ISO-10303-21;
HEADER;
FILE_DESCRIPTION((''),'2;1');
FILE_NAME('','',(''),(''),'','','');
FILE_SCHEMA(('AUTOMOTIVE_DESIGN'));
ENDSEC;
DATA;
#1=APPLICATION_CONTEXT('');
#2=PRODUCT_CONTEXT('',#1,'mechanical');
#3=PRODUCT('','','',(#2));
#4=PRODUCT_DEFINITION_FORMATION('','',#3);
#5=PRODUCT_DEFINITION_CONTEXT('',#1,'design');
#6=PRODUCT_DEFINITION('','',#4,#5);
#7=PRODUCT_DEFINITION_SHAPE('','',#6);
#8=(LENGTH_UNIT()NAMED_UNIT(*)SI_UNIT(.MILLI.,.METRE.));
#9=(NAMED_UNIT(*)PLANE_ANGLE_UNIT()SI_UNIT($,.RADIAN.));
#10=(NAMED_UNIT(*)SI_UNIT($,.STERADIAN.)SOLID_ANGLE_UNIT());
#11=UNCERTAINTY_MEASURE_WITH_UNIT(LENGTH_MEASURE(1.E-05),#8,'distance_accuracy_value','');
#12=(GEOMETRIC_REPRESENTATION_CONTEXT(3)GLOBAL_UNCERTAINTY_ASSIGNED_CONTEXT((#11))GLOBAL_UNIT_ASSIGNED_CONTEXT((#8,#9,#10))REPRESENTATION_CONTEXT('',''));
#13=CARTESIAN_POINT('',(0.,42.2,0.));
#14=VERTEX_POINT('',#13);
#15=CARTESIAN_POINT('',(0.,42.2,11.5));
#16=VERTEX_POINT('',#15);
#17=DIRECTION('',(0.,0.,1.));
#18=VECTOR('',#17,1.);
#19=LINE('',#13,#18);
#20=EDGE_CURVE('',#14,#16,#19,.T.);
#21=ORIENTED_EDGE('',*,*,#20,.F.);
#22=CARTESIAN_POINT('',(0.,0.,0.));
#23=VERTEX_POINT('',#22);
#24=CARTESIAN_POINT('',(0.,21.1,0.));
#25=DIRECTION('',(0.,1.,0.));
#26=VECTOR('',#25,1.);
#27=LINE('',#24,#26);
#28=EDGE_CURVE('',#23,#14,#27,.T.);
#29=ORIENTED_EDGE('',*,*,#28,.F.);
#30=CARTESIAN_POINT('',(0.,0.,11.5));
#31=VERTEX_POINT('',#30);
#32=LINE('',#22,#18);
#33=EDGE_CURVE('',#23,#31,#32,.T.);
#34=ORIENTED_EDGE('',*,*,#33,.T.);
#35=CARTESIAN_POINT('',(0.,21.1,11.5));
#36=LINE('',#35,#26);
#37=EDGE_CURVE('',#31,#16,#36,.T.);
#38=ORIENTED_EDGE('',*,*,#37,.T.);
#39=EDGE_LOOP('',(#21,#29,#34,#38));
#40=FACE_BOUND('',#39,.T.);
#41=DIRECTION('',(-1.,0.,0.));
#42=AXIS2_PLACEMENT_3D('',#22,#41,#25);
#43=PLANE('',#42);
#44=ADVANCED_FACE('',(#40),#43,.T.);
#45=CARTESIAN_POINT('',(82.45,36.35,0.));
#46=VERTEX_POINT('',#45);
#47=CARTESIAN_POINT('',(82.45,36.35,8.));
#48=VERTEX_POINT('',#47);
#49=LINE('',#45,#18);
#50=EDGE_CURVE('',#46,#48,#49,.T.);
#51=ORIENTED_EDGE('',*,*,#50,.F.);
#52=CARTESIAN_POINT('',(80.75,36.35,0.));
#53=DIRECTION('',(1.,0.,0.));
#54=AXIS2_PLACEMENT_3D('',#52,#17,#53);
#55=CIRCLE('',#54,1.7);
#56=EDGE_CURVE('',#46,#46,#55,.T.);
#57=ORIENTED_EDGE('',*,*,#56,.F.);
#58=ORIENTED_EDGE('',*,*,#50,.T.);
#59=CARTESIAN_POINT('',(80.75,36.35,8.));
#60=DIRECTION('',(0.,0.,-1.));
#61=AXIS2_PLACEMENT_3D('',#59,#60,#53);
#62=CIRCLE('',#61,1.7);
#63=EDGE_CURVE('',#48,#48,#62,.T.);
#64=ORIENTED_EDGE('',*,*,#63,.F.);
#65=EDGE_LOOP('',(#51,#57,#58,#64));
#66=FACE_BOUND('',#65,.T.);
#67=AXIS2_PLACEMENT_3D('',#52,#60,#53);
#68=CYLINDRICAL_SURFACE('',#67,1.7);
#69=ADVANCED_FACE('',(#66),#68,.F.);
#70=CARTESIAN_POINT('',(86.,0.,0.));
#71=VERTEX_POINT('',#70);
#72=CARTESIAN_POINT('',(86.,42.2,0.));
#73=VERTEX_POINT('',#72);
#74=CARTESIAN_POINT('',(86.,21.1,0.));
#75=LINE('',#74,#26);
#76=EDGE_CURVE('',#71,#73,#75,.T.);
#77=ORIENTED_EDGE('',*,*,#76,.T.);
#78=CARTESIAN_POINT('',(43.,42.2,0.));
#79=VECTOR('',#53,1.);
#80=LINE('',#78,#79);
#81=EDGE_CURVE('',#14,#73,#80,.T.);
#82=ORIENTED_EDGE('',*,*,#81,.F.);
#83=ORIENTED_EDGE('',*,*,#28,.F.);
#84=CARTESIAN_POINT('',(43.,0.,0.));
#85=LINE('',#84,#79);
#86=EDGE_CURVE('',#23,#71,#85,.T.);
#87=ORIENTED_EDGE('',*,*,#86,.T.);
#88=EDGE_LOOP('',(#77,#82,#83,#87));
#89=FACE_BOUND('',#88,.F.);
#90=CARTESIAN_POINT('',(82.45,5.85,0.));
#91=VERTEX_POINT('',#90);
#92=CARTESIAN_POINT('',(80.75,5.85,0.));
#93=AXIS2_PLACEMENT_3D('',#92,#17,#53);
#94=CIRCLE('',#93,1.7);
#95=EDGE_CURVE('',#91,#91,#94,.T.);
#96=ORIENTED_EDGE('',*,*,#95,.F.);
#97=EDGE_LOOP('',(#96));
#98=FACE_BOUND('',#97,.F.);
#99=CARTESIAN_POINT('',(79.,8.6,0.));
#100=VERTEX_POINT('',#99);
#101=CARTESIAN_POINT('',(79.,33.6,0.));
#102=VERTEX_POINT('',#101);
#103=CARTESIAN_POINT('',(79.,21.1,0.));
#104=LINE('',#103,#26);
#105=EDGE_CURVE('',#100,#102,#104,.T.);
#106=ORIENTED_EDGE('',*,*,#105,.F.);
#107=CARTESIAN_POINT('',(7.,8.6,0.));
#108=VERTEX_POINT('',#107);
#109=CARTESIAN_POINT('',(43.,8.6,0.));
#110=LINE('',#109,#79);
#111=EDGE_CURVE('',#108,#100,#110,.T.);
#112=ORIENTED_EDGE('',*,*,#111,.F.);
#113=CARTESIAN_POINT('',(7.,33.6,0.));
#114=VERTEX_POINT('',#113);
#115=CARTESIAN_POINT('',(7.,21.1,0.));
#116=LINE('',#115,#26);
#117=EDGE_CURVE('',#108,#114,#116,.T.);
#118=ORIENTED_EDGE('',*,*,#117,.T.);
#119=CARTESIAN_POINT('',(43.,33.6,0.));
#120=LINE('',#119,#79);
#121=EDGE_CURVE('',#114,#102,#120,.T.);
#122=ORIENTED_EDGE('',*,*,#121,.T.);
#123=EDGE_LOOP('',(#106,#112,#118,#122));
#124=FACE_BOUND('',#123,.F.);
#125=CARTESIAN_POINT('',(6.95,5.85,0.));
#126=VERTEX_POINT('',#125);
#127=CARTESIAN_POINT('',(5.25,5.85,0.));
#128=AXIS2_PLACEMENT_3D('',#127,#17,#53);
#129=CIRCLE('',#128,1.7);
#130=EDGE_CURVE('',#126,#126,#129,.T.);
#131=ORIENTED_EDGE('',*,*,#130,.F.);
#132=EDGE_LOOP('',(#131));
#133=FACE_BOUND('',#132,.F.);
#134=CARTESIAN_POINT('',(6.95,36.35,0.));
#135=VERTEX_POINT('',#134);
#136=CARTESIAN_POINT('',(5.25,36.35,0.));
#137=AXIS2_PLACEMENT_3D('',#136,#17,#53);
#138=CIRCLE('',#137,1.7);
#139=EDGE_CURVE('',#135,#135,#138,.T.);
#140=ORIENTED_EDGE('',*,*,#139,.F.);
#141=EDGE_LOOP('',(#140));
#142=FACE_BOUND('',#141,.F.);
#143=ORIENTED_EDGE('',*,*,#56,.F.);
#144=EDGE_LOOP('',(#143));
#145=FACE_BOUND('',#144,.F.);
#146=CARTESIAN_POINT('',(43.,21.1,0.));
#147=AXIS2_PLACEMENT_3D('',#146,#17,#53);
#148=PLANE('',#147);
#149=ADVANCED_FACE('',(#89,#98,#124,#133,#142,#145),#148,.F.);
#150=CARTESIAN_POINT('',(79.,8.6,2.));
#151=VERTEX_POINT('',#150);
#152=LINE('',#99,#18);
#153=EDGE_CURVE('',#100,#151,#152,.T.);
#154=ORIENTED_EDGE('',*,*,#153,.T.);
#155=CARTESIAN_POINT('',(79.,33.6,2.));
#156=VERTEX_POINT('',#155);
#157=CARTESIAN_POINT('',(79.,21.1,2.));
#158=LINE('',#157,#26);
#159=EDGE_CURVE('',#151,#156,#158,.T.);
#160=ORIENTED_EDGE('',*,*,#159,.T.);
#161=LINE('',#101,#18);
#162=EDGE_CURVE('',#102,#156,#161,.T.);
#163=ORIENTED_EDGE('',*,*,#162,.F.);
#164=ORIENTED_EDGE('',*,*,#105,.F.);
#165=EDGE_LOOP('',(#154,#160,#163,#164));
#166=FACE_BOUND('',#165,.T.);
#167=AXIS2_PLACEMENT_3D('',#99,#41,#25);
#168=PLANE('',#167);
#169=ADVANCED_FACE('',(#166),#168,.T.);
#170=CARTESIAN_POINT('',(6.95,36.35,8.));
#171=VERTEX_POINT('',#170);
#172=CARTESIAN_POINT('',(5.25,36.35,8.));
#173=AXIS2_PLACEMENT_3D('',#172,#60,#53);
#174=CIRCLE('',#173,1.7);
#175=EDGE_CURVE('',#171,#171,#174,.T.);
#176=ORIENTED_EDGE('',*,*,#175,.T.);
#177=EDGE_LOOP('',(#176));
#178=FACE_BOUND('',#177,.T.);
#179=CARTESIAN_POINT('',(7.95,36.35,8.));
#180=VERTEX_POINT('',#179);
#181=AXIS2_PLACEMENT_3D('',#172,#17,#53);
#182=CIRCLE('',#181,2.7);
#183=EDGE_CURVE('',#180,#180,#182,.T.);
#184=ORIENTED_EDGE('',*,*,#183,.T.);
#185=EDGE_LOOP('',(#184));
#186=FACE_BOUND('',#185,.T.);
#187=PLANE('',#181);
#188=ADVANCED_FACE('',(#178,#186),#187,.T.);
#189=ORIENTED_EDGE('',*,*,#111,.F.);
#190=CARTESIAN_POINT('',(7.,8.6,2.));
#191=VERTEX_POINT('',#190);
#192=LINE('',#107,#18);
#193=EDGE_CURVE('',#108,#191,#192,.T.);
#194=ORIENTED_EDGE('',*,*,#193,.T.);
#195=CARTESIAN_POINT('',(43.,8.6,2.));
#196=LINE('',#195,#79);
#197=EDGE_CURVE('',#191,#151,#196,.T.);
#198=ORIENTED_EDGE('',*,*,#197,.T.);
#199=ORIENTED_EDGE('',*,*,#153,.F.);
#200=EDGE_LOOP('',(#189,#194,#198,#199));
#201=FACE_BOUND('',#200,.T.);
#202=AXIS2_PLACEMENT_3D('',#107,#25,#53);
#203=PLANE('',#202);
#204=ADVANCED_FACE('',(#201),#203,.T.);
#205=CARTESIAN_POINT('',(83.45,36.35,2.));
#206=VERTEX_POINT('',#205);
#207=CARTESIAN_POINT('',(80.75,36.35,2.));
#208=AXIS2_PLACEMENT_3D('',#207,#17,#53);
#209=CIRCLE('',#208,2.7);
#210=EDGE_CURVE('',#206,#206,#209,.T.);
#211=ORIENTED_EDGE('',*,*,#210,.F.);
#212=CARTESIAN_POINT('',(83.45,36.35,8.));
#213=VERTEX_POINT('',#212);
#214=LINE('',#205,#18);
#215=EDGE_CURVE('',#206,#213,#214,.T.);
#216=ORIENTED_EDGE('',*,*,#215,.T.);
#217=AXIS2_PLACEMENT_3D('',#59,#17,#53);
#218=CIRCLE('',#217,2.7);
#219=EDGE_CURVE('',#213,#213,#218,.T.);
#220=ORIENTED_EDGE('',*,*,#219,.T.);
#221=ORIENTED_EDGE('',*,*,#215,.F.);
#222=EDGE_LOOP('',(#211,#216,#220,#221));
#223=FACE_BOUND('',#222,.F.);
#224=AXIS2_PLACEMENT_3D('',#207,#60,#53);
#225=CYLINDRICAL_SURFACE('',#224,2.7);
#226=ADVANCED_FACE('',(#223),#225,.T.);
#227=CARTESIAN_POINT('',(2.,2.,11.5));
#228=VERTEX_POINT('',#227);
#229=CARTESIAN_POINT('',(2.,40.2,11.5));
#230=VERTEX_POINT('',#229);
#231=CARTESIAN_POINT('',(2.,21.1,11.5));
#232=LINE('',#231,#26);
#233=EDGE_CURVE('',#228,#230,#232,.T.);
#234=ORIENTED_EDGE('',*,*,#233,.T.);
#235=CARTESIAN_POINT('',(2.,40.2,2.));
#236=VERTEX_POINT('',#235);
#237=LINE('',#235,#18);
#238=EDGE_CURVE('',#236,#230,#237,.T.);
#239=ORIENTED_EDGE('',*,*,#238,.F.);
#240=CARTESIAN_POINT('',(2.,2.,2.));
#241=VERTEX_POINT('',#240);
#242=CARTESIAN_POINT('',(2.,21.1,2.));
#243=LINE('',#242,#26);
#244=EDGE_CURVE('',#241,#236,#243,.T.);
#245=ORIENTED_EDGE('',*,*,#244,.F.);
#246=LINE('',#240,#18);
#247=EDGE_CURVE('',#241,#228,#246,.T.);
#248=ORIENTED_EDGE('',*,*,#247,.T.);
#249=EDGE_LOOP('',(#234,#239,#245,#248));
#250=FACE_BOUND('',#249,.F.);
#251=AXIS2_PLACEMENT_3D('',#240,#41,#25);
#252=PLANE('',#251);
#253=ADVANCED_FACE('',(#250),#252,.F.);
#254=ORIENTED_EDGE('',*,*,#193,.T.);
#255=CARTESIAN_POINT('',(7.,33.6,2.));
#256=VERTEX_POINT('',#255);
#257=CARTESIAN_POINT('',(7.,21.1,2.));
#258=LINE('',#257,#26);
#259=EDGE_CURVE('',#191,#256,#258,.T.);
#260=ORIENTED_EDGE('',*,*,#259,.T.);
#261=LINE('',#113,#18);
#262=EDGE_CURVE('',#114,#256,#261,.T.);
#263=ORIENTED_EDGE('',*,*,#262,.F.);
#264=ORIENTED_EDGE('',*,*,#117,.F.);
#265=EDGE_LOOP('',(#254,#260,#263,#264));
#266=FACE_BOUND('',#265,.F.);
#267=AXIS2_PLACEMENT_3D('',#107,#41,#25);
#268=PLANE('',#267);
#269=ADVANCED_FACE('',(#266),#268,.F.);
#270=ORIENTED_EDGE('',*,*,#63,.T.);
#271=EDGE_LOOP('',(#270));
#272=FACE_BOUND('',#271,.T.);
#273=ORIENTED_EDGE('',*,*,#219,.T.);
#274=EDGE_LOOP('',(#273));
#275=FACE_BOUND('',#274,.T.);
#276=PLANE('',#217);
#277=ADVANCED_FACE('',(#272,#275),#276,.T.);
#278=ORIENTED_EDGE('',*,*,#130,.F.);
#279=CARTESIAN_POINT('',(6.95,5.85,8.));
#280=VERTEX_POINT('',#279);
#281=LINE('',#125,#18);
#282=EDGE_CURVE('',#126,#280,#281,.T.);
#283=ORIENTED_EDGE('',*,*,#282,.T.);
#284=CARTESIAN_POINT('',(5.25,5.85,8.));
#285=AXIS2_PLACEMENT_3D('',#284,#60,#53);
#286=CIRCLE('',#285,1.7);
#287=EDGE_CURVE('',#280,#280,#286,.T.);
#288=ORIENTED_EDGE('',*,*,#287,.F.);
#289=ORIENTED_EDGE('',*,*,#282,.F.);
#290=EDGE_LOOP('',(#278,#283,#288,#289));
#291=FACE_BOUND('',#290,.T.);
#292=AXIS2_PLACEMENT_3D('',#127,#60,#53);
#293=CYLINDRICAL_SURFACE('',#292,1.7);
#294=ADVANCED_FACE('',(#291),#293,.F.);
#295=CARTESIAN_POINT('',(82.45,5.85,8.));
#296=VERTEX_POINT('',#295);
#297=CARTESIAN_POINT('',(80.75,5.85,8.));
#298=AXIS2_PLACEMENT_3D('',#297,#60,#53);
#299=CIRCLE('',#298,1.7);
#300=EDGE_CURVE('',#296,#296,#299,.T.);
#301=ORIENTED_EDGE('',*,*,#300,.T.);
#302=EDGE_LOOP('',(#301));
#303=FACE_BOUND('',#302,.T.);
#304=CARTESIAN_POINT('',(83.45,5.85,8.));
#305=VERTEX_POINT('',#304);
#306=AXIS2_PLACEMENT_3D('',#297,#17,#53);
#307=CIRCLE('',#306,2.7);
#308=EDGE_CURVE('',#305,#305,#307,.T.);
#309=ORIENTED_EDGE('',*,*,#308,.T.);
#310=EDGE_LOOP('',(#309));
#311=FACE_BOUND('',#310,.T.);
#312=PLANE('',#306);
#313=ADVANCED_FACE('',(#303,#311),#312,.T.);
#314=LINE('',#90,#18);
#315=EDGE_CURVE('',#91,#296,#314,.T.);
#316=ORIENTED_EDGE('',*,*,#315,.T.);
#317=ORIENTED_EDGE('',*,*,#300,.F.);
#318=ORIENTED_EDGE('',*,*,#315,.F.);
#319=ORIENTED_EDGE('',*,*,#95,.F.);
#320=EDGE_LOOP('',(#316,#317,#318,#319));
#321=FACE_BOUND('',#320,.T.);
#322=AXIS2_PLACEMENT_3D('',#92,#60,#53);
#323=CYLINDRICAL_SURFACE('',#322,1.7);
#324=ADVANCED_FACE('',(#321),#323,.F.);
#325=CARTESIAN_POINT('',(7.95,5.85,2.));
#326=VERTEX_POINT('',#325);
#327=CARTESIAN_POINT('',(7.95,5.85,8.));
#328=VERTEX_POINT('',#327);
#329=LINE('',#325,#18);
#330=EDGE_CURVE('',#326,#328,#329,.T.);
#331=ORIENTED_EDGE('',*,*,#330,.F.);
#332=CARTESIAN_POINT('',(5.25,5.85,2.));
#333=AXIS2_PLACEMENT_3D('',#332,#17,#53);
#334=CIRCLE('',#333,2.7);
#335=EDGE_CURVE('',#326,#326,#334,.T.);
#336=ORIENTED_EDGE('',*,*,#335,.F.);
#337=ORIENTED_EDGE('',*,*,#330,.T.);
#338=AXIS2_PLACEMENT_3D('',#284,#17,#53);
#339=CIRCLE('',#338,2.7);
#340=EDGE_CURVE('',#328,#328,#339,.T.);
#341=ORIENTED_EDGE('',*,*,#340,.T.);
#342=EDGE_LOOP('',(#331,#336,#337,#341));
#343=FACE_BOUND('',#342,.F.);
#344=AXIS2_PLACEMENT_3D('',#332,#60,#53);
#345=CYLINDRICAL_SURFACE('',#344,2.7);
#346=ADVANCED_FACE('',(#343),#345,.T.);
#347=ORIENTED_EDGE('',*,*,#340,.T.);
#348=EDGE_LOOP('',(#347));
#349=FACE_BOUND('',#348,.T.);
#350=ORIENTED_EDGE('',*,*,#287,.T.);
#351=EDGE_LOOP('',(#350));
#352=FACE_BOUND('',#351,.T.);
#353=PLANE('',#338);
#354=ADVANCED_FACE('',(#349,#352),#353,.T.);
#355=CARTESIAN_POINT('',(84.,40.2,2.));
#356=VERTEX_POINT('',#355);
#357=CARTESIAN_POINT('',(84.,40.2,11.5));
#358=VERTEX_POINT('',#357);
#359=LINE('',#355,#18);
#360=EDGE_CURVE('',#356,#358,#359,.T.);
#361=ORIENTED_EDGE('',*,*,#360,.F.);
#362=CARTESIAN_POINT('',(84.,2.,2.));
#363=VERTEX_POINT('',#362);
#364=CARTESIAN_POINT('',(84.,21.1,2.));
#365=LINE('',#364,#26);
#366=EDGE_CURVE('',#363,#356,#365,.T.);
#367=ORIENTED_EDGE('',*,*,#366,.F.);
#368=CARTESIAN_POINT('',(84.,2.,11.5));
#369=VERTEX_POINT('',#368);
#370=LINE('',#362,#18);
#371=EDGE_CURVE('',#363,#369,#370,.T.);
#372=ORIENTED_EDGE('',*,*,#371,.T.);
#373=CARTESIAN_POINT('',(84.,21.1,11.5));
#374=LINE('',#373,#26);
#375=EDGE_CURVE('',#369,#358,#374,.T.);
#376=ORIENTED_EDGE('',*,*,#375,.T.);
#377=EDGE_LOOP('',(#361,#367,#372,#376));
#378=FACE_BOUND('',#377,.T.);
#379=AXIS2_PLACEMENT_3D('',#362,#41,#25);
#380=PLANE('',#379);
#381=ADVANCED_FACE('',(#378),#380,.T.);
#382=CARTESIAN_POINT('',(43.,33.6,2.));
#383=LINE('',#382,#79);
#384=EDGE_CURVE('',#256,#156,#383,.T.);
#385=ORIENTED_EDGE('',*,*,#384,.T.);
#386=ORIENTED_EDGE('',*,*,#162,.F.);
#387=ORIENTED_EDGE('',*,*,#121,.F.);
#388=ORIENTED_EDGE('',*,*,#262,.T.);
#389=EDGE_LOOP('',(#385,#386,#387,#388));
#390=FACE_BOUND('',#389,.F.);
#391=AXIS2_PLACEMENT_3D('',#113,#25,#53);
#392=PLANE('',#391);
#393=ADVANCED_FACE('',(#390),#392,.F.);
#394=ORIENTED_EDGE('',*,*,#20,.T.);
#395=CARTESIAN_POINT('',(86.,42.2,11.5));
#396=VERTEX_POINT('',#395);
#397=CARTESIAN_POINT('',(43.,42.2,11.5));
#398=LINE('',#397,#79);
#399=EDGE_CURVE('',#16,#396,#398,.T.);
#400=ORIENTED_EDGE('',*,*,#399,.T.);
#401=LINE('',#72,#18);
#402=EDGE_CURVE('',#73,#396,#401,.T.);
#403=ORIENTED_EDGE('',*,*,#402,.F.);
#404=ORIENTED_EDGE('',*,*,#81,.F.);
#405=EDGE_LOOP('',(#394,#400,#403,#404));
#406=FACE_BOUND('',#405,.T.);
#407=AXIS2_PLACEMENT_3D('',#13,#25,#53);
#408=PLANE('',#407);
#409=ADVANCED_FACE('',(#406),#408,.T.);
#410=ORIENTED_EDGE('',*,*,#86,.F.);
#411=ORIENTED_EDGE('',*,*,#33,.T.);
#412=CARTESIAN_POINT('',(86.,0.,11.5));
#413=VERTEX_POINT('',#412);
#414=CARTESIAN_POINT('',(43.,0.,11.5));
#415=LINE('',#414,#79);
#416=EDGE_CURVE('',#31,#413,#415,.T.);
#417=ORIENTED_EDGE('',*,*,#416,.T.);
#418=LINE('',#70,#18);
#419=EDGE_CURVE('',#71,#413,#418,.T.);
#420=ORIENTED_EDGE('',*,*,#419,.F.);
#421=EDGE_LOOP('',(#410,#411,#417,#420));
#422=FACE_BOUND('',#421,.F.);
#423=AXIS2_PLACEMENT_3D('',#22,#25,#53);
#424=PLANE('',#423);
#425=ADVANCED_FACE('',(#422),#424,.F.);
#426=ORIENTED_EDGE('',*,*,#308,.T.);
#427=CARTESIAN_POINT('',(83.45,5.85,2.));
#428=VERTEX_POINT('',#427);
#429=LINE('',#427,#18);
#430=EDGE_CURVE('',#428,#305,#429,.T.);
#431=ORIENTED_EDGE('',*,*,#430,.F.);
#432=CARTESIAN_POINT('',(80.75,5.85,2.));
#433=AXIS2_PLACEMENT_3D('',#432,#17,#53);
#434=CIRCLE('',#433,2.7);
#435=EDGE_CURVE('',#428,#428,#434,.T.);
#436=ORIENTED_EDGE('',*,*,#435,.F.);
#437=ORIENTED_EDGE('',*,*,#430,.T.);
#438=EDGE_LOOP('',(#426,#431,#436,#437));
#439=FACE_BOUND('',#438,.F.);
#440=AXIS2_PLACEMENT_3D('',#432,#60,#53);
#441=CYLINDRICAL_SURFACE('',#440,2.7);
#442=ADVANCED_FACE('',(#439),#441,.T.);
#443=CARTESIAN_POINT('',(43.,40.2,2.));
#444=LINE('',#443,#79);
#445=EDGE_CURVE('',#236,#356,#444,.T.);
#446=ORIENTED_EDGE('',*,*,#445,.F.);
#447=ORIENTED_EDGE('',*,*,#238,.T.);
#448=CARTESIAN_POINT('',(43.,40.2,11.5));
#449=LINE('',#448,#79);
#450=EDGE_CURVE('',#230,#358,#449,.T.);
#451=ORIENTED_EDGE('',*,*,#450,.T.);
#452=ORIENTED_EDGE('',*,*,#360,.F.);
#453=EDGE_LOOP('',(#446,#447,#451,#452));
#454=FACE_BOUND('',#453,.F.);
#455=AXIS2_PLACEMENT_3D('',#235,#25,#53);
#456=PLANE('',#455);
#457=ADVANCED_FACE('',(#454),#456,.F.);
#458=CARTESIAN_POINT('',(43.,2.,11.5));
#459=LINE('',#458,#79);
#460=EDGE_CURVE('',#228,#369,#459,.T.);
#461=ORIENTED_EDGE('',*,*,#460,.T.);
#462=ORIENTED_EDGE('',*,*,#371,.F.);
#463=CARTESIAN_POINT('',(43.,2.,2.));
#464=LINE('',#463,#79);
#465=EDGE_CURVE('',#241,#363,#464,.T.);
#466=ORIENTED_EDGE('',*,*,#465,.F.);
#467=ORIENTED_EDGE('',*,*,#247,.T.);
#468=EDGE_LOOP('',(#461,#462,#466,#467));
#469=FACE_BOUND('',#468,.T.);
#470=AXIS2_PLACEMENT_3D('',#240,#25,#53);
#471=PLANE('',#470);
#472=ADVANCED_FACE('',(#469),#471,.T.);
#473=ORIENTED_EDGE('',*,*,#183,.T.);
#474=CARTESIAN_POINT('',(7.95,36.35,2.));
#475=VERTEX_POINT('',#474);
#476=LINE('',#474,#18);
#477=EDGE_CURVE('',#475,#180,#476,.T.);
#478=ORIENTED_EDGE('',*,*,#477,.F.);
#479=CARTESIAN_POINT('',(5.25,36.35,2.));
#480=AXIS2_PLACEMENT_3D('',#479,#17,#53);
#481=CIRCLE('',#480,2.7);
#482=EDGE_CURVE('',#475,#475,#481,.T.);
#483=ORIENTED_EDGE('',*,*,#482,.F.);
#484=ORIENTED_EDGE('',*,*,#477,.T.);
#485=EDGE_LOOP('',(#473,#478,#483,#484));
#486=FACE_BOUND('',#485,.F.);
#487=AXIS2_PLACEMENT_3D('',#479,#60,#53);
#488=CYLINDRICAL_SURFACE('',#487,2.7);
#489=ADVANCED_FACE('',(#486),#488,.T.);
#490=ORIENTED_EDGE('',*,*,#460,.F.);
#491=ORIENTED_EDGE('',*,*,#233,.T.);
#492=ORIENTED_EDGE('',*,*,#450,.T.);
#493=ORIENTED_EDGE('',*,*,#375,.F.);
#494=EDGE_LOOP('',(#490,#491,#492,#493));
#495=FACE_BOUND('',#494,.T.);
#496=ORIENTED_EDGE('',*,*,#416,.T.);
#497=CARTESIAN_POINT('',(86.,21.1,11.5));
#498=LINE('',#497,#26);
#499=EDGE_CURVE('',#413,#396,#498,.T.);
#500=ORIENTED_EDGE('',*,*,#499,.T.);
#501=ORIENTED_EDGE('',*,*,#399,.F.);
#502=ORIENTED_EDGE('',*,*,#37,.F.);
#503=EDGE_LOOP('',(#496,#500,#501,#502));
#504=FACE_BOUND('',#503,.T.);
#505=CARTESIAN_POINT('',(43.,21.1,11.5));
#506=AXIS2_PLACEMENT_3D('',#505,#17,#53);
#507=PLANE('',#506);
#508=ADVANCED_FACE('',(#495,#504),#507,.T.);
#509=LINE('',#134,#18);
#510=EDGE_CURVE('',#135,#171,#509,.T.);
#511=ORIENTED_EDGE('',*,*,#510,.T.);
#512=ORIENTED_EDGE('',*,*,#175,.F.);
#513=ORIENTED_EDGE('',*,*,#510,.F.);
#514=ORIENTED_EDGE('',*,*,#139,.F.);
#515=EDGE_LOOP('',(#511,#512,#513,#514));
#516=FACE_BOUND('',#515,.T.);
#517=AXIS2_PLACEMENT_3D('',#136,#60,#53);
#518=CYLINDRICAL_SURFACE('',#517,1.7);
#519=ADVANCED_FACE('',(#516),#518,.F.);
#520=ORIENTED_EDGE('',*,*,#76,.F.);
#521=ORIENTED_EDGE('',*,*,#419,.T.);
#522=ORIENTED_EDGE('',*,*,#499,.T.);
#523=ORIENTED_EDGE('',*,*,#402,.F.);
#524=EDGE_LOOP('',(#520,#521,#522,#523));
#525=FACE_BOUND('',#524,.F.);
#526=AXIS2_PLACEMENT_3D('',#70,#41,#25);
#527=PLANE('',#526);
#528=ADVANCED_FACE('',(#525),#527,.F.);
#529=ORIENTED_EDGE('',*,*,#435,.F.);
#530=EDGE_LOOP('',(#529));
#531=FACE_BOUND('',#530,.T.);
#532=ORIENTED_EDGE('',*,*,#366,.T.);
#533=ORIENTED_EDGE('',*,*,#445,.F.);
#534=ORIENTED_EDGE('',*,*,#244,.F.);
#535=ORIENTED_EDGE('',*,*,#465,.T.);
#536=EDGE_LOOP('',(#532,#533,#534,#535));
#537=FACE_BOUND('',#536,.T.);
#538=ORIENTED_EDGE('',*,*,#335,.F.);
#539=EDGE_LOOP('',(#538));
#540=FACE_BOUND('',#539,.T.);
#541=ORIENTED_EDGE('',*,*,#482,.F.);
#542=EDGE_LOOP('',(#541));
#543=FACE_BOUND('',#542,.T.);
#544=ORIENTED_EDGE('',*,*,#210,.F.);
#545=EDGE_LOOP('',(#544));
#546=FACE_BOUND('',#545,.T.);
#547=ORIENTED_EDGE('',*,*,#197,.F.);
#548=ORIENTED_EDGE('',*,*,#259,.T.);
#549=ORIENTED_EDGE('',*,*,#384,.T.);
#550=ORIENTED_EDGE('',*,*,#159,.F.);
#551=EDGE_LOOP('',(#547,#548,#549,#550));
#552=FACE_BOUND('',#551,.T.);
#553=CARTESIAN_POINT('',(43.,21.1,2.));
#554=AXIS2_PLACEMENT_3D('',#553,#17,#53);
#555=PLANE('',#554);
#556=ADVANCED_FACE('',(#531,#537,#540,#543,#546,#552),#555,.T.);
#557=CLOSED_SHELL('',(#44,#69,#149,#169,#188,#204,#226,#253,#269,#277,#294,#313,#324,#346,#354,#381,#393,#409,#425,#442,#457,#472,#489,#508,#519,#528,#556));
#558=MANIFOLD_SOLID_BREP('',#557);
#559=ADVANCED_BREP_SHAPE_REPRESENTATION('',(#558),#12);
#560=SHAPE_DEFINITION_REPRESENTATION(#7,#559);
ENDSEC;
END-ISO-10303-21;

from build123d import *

# Parameters (mm, degrees)
BOX010_W        = 86
BOX010_H        = 42.2
BOX010_DEPTH    = 11.5
BOX011_W        = 82
BOX011_H        = 38.2
BOX011_DEPTH    = 9.5
SKETCH022_R     = 2.7
PAD017_DEPTH    = 6
SKETCH023_W     = 72
SKETCH023_H     = 25
POCKET005_DEPTH = 2
SKETCH024_R     = 1.7
POCKET006_DEPTH = 20


with BuildPart() as part:
    # Box010 → Box010 (join)
    with BuildSketch(Plane.XY):
        with Locations((43, 21.1)):
            Rectangle(BOX010_W, BOX010_H)
    extrude(amount=BOX010_DEPTH)

    # Box011 → Box011 (cut)
    with BuildSketch(Plane(origin=(2, 2, 2), x_dir=(1, 0, 0), z_dir=(0, 0, 1))):
        with Locations((41, 19.1)):
            Rectangle(BOX011_W, BOX011_H)
    extrude(amount=BOX011_DEPTH, mode=Mode.SUBTRACT)

    # Sketch022 → Pad017 (join)
    with BuildSketch(Plane.XY.offset(2)):
        with Locations((5.25, 36.35)):
            Circle(SKETCH022_R)
        with Locations((80.75, 36.35)):
            Circle(SKETCH022_R)
        with Locations((80.75, 5.85)):
            Circle(SKETCH022_R)
        with Locations((5.25, 5.85)):
            Circle(SKETCH022_R)
    extrude(amount=PAD017_DEPTH)

    # Sketch023 → Pocket005 (cut)
    with BuildSketch(Plane.XY):
        with Locations((43, 21.1)):
            Rectangle(SKETCH023_W, SKETCH023_H)
    extrude(amount=POCKET005_DEPTH, mode=Mode.SUBTRACT)

    # Sketch024 → Pocket006 (cut)
    with BuildSketch(Plane.XY):
        with Locations((5.25, 36.35)):
            Circle(SKETCH024_R)
        with Locations((80.75, 36.35)):
            Circle(SKETCH024_R)
        with Locations((80.75, 5.85)):
            Circle(SKETCH024_R)
        with Locations((5.25, 5.85)):
            Circle(SKETCH024_R)
    extrude(amount=POCKET006_DEPTH, mode=Mode.SUBTRACT)


solid = part.part
